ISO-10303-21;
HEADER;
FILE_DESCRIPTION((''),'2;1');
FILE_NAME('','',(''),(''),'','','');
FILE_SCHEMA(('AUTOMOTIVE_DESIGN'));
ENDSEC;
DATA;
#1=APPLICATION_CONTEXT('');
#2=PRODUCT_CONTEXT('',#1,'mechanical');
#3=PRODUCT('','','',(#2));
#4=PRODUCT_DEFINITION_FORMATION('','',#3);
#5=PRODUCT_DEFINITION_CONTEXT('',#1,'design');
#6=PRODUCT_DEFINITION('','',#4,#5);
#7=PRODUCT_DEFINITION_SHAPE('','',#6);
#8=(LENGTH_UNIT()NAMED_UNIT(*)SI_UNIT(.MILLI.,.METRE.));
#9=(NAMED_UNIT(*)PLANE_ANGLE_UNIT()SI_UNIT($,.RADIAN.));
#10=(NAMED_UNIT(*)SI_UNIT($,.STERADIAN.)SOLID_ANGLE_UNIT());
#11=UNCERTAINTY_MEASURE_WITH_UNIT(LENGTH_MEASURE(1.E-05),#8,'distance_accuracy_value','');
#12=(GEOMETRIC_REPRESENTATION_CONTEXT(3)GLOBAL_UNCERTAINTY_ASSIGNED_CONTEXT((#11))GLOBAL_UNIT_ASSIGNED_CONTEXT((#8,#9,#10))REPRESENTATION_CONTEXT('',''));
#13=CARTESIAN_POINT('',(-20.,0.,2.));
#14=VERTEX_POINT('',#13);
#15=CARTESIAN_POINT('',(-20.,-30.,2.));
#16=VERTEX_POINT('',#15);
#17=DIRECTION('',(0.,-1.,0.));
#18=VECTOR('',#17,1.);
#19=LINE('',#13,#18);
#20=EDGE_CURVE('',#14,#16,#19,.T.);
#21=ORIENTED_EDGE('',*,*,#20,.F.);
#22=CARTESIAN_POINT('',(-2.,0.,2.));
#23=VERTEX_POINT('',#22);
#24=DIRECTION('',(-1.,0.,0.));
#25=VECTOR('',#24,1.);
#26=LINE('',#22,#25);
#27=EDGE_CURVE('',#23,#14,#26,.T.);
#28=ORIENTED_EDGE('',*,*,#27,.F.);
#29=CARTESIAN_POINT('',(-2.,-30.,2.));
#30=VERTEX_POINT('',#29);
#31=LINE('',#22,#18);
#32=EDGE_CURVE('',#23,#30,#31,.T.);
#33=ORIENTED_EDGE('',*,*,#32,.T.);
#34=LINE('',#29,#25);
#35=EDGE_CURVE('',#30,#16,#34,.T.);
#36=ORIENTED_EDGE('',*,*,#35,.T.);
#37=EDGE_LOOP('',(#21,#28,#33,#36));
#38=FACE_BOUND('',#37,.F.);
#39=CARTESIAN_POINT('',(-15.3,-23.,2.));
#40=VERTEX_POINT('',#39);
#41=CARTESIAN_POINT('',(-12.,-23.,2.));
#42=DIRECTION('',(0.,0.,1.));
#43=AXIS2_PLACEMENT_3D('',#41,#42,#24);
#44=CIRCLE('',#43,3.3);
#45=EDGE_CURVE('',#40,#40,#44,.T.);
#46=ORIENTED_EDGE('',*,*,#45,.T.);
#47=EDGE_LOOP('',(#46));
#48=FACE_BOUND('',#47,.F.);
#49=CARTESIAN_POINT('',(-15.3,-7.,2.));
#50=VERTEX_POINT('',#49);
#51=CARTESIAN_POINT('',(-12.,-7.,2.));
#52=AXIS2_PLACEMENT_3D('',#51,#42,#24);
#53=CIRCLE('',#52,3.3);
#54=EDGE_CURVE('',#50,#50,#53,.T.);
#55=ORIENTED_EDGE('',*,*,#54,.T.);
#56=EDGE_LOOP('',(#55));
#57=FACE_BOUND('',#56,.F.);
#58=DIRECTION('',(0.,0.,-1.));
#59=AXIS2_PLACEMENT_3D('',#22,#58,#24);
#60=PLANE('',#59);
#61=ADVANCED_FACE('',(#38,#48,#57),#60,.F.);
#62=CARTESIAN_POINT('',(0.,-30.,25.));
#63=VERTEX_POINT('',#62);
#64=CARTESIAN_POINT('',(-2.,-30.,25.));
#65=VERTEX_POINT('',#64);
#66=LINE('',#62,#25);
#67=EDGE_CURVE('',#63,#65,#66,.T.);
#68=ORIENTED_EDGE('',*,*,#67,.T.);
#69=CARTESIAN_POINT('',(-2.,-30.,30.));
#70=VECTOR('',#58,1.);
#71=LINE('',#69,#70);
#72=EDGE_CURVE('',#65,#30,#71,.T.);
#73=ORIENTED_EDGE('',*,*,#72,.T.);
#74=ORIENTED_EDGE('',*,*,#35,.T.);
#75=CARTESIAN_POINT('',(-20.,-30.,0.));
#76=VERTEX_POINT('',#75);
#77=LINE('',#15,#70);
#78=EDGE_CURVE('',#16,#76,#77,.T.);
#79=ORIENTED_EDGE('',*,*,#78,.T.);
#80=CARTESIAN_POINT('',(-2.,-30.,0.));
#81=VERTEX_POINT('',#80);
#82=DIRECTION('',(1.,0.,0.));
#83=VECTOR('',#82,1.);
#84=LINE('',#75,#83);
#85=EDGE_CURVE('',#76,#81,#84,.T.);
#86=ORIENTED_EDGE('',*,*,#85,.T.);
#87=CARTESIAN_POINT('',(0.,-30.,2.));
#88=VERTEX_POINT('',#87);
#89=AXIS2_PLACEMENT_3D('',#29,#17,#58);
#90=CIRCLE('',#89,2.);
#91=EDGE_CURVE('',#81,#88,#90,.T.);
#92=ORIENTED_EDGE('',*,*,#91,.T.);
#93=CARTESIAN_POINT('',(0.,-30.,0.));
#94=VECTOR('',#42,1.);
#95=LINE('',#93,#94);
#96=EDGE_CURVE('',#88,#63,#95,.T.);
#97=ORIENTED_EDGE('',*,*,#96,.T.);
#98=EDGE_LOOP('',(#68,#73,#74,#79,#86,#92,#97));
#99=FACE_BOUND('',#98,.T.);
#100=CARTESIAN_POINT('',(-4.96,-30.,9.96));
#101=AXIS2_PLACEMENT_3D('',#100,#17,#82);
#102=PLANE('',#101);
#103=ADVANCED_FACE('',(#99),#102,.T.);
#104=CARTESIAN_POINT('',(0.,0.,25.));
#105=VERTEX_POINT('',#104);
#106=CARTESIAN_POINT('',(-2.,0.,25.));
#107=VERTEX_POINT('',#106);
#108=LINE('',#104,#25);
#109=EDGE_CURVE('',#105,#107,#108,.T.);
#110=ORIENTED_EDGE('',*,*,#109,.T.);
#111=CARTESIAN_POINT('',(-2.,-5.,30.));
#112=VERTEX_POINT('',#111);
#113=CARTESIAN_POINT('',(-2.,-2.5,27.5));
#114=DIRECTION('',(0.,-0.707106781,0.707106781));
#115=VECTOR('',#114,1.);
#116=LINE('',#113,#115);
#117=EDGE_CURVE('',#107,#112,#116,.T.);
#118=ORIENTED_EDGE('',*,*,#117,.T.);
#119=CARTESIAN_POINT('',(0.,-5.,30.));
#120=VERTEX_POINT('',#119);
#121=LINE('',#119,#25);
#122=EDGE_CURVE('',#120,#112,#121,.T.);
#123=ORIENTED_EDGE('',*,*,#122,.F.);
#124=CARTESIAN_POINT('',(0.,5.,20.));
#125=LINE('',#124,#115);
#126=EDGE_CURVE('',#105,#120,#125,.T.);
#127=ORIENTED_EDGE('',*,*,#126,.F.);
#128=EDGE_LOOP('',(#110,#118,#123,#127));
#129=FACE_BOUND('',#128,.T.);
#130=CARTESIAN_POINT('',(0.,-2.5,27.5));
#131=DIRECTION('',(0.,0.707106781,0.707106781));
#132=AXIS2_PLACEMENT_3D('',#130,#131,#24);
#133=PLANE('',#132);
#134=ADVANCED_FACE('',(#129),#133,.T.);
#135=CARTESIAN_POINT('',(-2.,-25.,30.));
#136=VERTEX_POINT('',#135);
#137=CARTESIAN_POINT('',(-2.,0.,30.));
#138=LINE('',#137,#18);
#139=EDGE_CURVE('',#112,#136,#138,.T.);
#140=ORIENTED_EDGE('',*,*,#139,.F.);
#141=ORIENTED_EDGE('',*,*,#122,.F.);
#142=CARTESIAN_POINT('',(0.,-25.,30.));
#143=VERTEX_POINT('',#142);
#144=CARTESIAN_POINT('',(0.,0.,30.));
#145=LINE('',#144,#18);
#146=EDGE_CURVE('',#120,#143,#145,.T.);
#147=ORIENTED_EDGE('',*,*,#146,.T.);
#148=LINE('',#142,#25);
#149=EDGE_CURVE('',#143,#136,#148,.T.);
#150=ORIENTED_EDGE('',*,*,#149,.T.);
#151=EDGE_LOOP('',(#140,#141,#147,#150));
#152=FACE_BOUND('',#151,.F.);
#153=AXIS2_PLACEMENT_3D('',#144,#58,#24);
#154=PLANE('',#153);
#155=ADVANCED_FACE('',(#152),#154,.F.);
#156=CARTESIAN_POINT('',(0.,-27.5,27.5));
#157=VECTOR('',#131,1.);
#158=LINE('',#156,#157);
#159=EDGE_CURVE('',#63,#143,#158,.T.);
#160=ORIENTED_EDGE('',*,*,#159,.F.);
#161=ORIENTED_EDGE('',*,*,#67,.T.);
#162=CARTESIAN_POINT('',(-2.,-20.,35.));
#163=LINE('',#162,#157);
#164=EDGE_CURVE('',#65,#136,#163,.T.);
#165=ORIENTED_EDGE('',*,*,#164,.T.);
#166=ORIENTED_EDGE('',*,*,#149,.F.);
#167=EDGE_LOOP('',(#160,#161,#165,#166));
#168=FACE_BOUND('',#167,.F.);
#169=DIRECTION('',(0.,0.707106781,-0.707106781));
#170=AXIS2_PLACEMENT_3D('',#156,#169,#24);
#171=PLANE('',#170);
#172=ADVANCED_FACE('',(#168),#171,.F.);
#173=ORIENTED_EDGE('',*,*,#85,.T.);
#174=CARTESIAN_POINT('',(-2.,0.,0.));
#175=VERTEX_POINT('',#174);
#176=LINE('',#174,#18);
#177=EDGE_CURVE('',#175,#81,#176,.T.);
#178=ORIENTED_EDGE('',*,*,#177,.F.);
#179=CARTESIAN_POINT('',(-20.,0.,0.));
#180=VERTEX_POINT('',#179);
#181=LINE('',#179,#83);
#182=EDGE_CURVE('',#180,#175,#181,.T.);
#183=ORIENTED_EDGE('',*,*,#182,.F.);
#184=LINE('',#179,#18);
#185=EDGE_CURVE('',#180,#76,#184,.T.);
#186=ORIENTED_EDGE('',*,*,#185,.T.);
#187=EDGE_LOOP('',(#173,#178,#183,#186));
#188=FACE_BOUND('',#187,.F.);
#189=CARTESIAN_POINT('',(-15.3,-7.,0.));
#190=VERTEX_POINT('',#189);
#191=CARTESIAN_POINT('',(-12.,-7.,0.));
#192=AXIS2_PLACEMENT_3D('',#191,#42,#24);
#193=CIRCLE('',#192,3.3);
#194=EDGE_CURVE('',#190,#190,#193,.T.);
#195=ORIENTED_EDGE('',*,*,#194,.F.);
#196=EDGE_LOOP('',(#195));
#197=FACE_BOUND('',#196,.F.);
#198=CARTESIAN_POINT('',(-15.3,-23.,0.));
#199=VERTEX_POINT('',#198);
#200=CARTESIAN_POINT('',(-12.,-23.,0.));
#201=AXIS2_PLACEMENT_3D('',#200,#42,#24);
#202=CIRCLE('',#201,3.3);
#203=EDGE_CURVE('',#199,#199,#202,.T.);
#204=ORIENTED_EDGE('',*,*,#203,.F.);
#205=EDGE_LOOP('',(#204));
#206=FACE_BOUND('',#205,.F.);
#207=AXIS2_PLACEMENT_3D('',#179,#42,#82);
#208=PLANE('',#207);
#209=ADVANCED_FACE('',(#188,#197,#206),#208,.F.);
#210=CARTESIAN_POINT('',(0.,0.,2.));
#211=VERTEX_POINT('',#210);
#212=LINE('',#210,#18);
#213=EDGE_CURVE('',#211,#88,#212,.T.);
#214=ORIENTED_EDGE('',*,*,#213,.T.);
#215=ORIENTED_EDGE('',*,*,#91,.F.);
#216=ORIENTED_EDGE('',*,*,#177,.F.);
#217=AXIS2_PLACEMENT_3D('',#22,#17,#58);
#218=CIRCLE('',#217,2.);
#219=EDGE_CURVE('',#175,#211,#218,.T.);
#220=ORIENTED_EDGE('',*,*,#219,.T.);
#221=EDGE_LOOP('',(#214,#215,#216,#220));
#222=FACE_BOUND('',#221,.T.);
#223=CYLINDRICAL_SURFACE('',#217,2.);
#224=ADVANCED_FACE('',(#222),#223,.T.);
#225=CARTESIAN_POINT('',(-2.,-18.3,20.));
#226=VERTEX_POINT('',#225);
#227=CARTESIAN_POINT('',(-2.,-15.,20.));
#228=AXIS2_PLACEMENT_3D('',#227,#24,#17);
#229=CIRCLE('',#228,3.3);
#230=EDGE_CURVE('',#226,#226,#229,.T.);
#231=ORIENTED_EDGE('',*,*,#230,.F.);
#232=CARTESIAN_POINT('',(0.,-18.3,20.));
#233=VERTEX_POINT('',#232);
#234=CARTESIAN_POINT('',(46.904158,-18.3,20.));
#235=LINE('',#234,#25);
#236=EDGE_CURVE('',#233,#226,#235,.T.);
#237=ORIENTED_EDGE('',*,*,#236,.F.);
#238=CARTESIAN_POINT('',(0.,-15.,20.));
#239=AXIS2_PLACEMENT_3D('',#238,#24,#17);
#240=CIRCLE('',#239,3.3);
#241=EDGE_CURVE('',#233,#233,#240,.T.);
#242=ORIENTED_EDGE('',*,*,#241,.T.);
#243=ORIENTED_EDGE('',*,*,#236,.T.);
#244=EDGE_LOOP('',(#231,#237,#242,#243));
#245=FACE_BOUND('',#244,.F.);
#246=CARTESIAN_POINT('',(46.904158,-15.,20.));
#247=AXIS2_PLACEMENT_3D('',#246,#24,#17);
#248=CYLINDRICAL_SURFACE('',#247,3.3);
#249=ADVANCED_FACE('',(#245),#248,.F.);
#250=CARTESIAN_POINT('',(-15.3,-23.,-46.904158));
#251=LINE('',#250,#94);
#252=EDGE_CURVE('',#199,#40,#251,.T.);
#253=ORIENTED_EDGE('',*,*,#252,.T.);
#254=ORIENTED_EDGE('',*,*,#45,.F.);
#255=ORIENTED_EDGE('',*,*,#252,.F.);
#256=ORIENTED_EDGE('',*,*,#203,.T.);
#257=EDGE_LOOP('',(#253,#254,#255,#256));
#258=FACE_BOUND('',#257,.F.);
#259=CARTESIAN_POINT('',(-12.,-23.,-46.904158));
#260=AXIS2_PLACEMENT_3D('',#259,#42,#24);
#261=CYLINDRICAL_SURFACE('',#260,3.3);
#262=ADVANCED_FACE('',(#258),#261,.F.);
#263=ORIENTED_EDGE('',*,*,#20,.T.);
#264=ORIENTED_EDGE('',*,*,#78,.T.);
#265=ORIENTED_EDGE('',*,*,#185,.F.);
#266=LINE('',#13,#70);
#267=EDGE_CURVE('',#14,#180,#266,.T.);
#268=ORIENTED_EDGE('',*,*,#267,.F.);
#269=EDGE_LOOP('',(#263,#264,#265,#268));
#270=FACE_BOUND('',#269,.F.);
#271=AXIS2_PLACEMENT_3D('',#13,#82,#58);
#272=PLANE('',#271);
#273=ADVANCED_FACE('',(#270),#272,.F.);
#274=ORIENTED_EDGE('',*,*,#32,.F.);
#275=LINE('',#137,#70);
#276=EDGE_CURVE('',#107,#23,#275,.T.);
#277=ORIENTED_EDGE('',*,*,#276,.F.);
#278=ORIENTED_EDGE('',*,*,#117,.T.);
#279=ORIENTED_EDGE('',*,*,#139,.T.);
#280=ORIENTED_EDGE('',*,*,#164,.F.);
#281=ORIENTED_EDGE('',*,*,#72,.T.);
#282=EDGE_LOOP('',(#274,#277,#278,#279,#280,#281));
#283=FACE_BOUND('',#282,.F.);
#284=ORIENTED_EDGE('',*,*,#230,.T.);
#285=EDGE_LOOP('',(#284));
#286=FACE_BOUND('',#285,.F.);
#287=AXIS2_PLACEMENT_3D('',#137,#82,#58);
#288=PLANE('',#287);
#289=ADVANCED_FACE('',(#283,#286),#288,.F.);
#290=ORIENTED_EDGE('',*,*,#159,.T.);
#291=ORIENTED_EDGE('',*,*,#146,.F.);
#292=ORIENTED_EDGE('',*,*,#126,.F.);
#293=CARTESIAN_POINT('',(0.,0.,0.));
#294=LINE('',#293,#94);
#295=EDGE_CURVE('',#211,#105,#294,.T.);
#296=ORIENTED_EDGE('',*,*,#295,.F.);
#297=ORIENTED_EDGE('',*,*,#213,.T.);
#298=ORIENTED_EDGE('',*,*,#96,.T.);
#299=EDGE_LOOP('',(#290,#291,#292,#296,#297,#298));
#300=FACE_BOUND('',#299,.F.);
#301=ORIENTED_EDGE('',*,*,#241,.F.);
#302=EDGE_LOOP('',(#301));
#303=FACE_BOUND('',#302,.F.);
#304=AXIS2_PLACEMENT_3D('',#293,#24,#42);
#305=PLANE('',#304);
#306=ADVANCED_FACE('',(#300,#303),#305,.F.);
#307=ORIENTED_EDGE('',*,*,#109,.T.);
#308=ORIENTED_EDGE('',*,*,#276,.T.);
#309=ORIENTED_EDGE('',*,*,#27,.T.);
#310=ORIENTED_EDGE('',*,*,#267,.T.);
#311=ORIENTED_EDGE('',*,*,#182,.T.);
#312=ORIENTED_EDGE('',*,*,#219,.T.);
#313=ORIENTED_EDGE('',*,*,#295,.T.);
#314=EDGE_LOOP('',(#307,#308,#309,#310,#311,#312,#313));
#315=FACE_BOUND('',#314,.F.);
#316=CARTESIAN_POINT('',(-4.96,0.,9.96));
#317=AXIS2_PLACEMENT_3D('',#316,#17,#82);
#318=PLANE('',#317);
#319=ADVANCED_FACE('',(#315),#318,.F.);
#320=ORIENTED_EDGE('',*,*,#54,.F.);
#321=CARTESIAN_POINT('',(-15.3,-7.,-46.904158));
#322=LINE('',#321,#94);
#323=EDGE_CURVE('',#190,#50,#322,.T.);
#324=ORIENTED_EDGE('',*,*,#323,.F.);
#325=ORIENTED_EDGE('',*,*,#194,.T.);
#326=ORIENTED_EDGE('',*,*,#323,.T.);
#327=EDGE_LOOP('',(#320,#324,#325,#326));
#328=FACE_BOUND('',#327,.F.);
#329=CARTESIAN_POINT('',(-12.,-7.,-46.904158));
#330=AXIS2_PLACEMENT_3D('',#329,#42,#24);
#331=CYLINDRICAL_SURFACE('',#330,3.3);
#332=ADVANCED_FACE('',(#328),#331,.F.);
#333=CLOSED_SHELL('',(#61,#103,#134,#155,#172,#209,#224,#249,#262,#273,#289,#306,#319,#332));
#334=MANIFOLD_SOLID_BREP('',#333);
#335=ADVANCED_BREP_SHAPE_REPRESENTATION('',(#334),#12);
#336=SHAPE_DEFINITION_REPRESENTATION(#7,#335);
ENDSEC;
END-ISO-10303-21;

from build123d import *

# Parameters (mm, degrees)
F1_DEPTH = 30
F3_D     = 6.6
F5_D     = 6.6
F6_R     = 2
F7_SIZE  = 5


with BuildPart() as f1:
    # F0 (on Front) → F1 (new body)
    with BuildSketch(Plane.XZ):
        Polygon((-20, 0), (0, 0), (0, 30), (-2, 30), (-2, 2), (-20, 2), align=None)
    extrude(amount=F1_DEPTH)

    # F3 (through all)
    with Locations(Plane(origin=(0, 0, 0), x_dir=(1, 0, 0), z_dir=(0, 0, -1))):
        with Locations((-12, 23), (-12, 7)):
            Hole(F3_D / 2)

    # F5 (through all)
    with Locations(Plane.YZ):
        with Locations((-15, 20)):
            Hole(F5_D / 2)

    # F6
    f6_edges = [f1.edges().sort_by_distance(p)[0] for p in [
        (0, -15, 0),
    ]]
    fillet(f6_edges, radius=F6_R)

    # F7
    f7_edges = [f1.edges().sort_by_distance(p)[0] for p in [
        (-1, -30, 30),
        (-1, 0, 30),
    ]]
    chamfer(f7_edges, length=F7_SIZE)


solid = f1.part
